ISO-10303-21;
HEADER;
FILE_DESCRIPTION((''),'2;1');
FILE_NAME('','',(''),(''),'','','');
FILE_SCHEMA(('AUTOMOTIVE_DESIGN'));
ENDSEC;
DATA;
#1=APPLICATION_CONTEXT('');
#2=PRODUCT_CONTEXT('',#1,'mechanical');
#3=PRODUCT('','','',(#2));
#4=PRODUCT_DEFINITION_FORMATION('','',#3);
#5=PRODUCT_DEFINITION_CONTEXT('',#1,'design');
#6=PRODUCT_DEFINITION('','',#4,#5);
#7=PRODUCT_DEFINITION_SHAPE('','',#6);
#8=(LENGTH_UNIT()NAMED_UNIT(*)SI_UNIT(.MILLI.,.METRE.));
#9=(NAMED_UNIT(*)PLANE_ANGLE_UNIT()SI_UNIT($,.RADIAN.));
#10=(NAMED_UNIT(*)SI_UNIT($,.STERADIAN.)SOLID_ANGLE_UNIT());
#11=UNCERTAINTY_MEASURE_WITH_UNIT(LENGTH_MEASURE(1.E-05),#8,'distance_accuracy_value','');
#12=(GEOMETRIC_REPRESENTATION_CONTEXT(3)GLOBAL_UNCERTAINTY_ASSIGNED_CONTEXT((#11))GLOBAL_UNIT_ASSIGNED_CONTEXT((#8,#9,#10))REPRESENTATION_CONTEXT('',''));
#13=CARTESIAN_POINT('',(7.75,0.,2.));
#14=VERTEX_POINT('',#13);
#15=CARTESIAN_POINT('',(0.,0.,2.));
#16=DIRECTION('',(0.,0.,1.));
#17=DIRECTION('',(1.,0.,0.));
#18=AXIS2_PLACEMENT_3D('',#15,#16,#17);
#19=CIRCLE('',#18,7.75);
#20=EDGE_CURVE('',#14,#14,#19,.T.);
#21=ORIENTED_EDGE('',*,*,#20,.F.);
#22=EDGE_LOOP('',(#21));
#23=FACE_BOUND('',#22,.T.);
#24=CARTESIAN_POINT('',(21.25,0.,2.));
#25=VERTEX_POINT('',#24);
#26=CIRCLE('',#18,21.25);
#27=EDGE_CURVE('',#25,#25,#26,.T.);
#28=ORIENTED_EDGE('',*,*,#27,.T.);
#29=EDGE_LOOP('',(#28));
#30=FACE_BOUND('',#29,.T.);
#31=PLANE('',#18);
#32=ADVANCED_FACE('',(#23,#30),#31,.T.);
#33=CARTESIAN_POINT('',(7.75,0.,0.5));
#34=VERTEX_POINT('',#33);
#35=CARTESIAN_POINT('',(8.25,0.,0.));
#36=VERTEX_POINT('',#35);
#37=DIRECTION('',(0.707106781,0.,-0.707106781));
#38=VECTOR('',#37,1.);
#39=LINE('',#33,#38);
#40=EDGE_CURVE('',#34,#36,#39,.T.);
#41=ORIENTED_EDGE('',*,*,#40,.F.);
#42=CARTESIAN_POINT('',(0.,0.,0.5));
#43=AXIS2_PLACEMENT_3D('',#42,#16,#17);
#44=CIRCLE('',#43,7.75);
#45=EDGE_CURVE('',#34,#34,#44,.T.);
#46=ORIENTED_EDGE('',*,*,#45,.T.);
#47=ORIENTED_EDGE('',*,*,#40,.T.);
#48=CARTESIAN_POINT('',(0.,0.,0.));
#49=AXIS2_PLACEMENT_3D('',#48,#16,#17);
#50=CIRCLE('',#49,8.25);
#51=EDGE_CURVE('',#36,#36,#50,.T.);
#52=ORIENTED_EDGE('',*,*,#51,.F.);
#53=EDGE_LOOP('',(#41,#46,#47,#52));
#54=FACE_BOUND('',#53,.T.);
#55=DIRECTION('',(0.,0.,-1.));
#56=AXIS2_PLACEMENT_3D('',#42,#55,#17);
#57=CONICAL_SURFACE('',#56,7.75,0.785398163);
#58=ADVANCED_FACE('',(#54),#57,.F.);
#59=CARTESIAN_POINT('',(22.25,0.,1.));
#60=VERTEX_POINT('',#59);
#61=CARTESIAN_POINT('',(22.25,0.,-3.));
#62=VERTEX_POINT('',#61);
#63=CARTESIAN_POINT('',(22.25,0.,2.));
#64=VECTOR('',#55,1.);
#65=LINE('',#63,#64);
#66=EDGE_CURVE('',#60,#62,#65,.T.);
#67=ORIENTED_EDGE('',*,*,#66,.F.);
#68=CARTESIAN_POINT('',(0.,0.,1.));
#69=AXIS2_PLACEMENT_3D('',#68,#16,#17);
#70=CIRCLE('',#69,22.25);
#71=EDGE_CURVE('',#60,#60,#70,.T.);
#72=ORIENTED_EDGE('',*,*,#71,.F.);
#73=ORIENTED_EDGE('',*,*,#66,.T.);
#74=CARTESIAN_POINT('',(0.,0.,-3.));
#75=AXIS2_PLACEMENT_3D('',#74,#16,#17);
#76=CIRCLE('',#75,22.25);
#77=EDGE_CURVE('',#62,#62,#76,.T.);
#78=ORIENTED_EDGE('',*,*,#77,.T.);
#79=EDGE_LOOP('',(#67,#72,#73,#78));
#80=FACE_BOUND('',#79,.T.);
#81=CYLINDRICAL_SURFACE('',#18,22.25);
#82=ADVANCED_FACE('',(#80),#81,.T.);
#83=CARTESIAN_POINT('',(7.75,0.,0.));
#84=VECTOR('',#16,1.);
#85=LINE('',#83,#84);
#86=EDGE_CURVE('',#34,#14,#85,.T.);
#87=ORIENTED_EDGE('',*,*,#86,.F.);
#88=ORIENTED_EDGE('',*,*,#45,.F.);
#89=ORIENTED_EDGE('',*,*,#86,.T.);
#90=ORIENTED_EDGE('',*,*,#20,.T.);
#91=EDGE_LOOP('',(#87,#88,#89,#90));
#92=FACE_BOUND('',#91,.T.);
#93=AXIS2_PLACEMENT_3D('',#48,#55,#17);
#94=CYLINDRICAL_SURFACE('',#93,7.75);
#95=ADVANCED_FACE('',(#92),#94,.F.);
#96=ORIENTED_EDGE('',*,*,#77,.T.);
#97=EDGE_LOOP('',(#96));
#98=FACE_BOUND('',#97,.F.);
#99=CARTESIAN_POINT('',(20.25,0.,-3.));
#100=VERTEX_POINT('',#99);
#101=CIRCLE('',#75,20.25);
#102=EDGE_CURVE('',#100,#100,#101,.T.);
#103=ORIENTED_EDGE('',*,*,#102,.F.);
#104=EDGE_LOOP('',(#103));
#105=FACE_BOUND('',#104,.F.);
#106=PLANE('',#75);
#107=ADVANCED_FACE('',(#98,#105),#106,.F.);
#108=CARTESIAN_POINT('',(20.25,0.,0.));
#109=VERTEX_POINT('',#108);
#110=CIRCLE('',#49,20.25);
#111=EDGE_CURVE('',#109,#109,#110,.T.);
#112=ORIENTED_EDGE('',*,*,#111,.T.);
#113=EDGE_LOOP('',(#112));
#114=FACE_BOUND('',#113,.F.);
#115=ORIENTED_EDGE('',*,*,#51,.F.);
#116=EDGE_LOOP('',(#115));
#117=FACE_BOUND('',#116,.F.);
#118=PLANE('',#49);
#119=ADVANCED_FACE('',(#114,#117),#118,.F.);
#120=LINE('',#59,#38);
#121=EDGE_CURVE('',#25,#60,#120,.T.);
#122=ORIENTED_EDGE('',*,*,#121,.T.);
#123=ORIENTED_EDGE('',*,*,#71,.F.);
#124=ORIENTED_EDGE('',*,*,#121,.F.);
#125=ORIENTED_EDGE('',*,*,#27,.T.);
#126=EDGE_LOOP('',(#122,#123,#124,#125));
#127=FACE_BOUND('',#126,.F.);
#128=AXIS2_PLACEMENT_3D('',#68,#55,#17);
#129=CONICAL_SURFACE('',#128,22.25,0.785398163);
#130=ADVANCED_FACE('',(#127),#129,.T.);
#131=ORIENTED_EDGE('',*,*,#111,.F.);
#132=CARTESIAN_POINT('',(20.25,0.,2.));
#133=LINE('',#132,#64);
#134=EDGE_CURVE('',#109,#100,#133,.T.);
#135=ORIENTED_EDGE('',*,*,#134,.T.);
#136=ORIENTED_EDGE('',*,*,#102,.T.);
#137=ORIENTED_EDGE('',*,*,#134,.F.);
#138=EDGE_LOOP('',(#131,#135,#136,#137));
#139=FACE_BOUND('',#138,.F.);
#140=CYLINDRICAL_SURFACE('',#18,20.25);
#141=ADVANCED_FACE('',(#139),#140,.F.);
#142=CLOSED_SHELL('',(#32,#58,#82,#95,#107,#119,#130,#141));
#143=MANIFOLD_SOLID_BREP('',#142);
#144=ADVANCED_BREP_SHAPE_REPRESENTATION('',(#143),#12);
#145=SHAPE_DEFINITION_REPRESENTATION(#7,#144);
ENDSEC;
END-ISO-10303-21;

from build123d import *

# Parameters (mm, degrees)
F0_R     = 20.25
F0_R_2   = 7.75
F1_DEPTH = 2
F2_R     = 22.25
F2_R_2   = 20.25
F3_DEPTH = 5
F4_SIZE  = 0.5
F5_SIZE  = 1


with BuildPart() as f1:
    # F0 (on Top) → F1 (new body)
    with BuildSketch(Plane.XY):
        Circle(F0_R)
        Circle(F0_R_2, mode=Mode.SUBTRACT)
    extrude(amount=F1_DEPTH)

    # F2 (on face) → F3 (join)
    with BuildSketch(Plane.XY.offset(2)):
        Circle(F2_R)
        Circle(F2_R_2, mode=Mode.SUBTRACT)
    extrude(amount=-F3_DEPTH)

    # F4
    f4_edges = [f1.edges().sort_by_distance(p)[0] for p in [
        (-7.75, 0, 0),
    ]]
    chamfer(f4_edges, length=F4_SIZE)

    # F5
    f5_edges = [f1.edges().sort_by_distance(p)[0] for p in [
        (-22.25, 0, 2),
    ]]
    chamfer(f5_edges, length=F5_SIZE)


solid = f1.part
